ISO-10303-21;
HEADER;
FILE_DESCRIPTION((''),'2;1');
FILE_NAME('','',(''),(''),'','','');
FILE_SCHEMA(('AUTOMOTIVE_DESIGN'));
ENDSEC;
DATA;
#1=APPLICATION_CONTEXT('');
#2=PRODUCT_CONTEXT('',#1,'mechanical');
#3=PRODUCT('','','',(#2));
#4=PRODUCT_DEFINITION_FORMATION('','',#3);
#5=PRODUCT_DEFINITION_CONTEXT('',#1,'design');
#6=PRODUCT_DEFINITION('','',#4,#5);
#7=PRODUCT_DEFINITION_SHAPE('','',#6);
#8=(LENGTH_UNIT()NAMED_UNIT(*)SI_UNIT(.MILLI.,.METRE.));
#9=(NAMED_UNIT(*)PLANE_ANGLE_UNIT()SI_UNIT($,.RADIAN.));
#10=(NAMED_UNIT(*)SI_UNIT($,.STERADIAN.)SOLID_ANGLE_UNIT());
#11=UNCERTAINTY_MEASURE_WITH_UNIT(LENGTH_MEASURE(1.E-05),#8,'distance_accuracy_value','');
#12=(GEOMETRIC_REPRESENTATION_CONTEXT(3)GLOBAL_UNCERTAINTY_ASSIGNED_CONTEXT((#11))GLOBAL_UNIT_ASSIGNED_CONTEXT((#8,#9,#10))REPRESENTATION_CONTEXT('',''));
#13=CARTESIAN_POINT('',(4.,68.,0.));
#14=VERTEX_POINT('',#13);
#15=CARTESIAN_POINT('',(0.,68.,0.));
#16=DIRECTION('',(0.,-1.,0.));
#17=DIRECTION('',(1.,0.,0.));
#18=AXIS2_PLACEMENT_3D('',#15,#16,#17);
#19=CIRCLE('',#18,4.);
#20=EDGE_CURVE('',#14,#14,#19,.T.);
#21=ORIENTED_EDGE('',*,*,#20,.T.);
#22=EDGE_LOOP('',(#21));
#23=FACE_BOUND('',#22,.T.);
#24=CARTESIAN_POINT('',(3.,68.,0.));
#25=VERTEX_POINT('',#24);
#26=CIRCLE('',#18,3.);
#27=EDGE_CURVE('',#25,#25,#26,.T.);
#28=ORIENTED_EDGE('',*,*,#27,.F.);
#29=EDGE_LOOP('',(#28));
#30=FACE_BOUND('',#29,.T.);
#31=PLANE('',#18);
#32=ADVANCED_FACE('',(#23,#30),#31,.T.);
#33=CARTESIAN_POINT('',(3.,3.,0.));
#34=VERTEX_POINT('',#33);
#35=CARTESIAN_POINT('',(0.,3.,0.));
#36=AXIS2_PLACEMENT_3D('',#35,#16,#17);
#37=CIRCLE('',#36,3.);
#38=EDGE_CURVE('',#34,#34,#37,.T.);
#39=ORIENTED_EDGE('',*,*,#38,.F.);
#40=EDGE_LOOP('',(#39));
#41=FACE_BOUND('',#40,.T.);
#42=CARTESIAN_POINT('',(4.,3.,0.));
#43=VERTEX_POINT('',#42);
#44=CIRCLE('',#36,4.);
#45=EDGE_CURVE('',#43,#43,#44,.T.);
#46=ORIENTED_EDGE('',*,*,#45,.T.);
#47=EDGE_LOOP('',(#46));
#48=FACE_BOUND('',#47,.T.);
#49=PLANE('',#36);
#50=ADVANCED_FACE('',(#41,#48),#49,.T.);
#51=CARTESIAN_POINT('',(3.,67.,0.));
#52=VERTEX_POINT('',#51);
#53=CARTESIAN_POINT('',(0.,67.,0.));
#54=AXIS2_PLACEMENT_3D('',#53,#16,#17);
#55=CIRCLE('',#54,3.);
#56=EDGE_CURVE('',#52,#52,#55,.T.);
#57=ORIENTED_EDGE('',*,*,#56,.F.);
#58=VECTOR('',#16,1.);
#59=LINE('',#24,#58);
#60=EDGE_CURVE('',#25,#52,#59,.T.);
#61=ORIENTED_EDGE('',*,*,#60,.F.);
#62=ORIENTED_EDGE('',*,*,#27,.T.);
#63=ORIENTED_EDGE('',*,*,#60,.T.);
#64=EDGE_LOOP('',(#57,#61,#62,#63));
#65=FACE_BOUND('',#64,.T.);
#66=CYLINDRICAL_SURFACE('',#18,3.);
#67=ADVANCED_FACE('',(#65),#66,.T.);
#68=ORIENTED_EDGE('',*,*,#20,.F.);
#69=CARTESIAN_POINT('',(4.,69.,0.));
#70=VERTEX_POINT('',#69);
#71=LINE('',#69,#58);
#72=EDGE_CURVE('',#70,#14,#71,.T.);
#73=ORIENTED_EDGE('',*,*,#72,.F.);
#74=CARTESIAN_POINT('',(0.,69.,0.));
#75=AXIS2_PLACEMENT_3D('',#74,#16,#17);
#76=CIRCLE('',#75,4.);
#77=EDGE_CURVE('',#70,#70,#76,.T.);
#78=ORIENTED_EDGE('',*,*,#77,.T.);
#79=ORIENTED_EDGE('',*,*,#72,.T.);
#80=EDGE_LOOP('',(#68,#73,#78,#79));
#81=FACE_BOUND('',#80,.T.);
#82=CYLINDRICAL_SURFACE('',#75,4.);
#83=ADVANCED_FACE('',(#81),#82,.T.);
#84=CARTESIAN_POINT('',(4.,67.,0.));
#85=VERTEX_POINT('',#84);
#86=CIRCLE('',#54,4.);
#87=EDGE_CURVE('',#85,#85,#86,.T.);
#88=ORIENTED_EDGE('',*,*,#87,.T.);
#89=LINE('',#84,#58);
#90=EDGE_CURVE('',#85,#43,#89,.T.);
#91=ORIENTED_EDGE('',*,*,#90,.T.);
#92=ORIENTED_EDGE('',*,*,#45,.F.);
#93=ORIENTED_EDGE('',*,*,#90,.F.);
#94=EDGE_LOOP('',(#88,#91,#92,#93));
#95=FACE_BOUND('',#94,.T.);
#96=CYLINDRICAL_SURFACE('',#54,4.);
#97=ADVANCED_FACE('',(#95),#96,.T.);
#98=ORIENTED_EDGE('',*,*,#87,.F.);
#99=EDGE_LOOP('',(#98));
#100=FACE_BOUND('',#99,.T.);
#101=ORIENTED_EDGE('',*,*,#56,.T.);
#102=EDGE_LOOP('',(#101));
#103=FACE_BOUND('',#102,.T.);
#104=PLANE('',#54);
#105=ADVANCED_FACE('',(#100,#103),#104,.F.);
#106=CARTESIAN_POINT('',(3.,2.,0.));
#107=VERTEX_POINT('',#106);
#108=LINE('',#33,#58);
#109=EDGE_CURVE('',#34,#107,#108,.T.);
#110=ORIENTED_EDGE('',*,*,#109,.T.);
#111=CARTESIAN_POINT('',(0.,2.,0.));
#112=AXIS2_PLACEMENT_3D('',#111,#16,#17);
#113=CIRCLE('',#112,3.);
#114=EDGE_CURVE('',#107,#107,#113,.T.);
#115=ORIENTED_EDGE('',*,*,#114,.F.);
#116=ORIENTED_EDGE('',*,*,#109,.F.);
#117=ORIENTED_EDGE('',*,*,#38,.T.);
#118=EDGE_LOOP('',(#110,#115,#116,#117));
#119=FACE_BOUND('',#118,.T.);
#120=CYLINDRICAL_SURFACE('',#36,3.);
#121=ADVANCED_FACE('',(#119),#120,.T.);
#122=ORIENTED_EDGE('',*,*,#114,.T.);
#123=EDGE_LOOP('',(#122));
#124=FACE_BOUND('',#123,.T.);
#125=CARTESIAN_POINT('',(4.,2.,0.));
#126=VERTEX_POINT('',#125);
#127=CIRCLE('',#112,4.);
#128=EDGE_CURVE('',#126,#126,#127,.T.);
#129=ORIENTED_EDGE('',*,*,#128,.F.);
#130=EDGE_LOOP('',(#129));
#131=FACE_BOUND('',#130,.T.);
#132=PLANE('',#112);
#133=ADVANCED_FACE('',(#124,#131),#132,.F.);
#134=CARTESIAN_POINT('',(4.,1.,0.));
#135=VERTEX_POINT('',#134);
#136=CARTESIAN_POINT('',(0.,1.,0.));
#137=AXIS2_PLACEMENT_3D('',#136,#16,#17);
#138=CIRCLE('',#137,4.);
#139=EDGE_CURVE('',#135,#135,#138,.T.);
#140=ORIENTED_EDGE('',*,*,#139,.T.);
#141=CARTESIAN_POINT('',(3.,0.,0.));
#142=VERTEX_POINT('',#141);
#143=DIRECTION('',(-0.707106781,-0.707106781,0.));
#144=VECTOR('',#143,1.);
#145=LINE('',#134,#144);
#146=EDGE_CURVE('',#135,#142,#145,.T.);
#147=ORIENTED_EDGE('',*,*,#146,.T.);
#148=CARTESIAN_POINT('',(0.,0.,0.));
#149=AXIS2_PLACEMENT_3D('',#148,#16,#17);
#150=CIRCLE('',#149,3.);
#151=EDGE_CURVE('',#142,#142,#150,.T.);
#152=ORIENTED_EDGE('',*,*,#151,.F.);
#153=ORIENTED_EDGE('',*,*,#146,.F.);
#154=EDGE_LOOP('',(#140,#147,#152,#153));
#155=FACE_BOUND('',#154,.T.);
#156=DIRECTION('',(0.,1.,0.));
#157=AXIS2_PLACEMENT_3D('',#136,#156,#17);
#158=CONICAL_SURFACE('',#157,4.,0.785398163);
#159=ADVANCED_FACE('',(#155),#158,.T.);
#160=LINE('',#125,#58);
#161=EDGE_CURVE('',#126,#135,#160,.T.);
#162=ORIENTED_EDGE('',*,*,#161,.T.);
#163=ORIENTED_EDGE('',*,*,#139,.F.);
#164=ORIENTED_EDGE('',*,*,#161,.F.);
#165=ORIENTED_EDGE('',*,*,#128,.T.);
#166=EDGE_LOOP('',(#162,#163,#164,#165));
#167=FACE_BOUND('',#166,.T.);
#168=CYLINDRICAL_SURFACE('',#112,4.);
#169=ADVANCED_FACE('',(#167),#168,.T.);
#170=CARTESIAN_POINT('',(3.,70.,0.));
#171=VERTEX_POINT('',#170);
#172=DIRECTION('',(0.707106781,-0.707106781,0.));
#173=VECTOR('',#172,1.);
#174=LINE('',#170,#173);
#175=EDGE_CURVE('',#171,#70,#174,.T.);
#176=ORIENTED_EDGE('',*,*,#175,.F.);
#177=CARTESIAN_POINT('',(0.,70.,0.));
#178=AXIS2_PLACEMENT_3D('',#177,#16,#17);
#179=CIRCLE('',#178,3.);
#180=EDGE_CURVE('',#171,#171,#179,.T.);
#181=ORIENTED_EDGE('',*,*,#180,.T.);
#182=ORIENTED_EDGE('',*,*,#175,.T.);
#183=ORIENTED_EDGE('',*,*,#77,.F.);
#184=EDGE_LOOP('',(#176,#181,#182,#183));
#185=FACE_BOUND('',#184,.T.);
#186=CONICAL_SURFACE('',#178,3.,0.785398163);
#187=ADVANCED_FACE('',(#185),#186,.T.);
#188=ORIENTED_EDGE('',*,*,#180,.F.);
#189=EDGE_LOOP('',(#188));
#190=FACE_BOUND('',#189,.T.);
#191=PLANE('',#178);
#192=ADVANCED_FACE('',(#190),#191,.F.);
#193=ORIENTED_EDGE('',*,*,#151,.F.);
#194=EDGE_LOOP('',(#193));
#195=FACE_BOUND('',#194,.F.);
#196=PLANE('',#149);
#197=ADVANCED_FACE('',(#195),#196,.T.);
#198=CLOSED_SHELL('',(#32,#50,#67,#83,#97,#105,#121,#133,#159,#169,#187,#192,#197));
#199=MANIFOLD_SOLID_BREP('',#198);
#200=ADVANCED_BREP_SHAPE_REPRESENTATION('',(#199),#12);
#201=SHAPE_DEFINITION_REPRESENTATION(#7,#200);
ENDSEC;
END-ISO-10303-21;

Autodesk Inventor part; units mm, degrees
ref_plane "YZ Plane" through (0, 0, 0) normal (1, 0, 0) x (0, 1, 0)
ref_plane "XZ Plane" through (0, 0, 0) normal (0, 1, 0) x (-1, 0, 0)
ref_plane "XY Plane" through (0, 0, 0) normal (0, 0, 1) x (1, 0, 0)
sketch "Sketch1" plane through (0, 0, 0) normal (0, 0, 1) x (1, 0, 0)
  line L0 (0, 70) -> (3, 70)
  line L1 (3, 70) -> (4, 69)
  line L2 (4, 69) -> (4, 68)
  line L3 (4, 68) -> (3, 68)
  line L4 (3, 68) -> (3, 67)
  line L5 (3, 67) -> (4, 67)
  line L6 (4, 67) -> (4, 3)
  line L7 (4, 3) -> (3, 3)
  line L8 (3, 3) -> (3, 2)
  line L9 (3, 2) -> (4, 2)
  line L10 (4, 2) -> (4, 1)
  line L11 (4, 1) -> (3, 0)
  line L12 (0, 70) -> (0, 0)
  line L13 (0, 0) -> (3, 0)
  dimension "d4" = 65
  dimension "d5" = 1
  dimension "d6" = 66
  dimension "d7" = 2
  dimension "d19" = 8
  dimension "d20" = 45
  dimension "d23" = 1
  dimension "d24" = 1
revolve "Revolution1" add sketch "Sketch1" angle 360 about axis through (0, 70, 0) along (0, -1, 0)
ref_plane "Work Plane1" through (0, 35, 0) normal (0, -1, 0) x (1, 0, 0)
equation "\"LENGTH\" = 25.4"
properties part number "TU-009" material "Stainless Steel"
